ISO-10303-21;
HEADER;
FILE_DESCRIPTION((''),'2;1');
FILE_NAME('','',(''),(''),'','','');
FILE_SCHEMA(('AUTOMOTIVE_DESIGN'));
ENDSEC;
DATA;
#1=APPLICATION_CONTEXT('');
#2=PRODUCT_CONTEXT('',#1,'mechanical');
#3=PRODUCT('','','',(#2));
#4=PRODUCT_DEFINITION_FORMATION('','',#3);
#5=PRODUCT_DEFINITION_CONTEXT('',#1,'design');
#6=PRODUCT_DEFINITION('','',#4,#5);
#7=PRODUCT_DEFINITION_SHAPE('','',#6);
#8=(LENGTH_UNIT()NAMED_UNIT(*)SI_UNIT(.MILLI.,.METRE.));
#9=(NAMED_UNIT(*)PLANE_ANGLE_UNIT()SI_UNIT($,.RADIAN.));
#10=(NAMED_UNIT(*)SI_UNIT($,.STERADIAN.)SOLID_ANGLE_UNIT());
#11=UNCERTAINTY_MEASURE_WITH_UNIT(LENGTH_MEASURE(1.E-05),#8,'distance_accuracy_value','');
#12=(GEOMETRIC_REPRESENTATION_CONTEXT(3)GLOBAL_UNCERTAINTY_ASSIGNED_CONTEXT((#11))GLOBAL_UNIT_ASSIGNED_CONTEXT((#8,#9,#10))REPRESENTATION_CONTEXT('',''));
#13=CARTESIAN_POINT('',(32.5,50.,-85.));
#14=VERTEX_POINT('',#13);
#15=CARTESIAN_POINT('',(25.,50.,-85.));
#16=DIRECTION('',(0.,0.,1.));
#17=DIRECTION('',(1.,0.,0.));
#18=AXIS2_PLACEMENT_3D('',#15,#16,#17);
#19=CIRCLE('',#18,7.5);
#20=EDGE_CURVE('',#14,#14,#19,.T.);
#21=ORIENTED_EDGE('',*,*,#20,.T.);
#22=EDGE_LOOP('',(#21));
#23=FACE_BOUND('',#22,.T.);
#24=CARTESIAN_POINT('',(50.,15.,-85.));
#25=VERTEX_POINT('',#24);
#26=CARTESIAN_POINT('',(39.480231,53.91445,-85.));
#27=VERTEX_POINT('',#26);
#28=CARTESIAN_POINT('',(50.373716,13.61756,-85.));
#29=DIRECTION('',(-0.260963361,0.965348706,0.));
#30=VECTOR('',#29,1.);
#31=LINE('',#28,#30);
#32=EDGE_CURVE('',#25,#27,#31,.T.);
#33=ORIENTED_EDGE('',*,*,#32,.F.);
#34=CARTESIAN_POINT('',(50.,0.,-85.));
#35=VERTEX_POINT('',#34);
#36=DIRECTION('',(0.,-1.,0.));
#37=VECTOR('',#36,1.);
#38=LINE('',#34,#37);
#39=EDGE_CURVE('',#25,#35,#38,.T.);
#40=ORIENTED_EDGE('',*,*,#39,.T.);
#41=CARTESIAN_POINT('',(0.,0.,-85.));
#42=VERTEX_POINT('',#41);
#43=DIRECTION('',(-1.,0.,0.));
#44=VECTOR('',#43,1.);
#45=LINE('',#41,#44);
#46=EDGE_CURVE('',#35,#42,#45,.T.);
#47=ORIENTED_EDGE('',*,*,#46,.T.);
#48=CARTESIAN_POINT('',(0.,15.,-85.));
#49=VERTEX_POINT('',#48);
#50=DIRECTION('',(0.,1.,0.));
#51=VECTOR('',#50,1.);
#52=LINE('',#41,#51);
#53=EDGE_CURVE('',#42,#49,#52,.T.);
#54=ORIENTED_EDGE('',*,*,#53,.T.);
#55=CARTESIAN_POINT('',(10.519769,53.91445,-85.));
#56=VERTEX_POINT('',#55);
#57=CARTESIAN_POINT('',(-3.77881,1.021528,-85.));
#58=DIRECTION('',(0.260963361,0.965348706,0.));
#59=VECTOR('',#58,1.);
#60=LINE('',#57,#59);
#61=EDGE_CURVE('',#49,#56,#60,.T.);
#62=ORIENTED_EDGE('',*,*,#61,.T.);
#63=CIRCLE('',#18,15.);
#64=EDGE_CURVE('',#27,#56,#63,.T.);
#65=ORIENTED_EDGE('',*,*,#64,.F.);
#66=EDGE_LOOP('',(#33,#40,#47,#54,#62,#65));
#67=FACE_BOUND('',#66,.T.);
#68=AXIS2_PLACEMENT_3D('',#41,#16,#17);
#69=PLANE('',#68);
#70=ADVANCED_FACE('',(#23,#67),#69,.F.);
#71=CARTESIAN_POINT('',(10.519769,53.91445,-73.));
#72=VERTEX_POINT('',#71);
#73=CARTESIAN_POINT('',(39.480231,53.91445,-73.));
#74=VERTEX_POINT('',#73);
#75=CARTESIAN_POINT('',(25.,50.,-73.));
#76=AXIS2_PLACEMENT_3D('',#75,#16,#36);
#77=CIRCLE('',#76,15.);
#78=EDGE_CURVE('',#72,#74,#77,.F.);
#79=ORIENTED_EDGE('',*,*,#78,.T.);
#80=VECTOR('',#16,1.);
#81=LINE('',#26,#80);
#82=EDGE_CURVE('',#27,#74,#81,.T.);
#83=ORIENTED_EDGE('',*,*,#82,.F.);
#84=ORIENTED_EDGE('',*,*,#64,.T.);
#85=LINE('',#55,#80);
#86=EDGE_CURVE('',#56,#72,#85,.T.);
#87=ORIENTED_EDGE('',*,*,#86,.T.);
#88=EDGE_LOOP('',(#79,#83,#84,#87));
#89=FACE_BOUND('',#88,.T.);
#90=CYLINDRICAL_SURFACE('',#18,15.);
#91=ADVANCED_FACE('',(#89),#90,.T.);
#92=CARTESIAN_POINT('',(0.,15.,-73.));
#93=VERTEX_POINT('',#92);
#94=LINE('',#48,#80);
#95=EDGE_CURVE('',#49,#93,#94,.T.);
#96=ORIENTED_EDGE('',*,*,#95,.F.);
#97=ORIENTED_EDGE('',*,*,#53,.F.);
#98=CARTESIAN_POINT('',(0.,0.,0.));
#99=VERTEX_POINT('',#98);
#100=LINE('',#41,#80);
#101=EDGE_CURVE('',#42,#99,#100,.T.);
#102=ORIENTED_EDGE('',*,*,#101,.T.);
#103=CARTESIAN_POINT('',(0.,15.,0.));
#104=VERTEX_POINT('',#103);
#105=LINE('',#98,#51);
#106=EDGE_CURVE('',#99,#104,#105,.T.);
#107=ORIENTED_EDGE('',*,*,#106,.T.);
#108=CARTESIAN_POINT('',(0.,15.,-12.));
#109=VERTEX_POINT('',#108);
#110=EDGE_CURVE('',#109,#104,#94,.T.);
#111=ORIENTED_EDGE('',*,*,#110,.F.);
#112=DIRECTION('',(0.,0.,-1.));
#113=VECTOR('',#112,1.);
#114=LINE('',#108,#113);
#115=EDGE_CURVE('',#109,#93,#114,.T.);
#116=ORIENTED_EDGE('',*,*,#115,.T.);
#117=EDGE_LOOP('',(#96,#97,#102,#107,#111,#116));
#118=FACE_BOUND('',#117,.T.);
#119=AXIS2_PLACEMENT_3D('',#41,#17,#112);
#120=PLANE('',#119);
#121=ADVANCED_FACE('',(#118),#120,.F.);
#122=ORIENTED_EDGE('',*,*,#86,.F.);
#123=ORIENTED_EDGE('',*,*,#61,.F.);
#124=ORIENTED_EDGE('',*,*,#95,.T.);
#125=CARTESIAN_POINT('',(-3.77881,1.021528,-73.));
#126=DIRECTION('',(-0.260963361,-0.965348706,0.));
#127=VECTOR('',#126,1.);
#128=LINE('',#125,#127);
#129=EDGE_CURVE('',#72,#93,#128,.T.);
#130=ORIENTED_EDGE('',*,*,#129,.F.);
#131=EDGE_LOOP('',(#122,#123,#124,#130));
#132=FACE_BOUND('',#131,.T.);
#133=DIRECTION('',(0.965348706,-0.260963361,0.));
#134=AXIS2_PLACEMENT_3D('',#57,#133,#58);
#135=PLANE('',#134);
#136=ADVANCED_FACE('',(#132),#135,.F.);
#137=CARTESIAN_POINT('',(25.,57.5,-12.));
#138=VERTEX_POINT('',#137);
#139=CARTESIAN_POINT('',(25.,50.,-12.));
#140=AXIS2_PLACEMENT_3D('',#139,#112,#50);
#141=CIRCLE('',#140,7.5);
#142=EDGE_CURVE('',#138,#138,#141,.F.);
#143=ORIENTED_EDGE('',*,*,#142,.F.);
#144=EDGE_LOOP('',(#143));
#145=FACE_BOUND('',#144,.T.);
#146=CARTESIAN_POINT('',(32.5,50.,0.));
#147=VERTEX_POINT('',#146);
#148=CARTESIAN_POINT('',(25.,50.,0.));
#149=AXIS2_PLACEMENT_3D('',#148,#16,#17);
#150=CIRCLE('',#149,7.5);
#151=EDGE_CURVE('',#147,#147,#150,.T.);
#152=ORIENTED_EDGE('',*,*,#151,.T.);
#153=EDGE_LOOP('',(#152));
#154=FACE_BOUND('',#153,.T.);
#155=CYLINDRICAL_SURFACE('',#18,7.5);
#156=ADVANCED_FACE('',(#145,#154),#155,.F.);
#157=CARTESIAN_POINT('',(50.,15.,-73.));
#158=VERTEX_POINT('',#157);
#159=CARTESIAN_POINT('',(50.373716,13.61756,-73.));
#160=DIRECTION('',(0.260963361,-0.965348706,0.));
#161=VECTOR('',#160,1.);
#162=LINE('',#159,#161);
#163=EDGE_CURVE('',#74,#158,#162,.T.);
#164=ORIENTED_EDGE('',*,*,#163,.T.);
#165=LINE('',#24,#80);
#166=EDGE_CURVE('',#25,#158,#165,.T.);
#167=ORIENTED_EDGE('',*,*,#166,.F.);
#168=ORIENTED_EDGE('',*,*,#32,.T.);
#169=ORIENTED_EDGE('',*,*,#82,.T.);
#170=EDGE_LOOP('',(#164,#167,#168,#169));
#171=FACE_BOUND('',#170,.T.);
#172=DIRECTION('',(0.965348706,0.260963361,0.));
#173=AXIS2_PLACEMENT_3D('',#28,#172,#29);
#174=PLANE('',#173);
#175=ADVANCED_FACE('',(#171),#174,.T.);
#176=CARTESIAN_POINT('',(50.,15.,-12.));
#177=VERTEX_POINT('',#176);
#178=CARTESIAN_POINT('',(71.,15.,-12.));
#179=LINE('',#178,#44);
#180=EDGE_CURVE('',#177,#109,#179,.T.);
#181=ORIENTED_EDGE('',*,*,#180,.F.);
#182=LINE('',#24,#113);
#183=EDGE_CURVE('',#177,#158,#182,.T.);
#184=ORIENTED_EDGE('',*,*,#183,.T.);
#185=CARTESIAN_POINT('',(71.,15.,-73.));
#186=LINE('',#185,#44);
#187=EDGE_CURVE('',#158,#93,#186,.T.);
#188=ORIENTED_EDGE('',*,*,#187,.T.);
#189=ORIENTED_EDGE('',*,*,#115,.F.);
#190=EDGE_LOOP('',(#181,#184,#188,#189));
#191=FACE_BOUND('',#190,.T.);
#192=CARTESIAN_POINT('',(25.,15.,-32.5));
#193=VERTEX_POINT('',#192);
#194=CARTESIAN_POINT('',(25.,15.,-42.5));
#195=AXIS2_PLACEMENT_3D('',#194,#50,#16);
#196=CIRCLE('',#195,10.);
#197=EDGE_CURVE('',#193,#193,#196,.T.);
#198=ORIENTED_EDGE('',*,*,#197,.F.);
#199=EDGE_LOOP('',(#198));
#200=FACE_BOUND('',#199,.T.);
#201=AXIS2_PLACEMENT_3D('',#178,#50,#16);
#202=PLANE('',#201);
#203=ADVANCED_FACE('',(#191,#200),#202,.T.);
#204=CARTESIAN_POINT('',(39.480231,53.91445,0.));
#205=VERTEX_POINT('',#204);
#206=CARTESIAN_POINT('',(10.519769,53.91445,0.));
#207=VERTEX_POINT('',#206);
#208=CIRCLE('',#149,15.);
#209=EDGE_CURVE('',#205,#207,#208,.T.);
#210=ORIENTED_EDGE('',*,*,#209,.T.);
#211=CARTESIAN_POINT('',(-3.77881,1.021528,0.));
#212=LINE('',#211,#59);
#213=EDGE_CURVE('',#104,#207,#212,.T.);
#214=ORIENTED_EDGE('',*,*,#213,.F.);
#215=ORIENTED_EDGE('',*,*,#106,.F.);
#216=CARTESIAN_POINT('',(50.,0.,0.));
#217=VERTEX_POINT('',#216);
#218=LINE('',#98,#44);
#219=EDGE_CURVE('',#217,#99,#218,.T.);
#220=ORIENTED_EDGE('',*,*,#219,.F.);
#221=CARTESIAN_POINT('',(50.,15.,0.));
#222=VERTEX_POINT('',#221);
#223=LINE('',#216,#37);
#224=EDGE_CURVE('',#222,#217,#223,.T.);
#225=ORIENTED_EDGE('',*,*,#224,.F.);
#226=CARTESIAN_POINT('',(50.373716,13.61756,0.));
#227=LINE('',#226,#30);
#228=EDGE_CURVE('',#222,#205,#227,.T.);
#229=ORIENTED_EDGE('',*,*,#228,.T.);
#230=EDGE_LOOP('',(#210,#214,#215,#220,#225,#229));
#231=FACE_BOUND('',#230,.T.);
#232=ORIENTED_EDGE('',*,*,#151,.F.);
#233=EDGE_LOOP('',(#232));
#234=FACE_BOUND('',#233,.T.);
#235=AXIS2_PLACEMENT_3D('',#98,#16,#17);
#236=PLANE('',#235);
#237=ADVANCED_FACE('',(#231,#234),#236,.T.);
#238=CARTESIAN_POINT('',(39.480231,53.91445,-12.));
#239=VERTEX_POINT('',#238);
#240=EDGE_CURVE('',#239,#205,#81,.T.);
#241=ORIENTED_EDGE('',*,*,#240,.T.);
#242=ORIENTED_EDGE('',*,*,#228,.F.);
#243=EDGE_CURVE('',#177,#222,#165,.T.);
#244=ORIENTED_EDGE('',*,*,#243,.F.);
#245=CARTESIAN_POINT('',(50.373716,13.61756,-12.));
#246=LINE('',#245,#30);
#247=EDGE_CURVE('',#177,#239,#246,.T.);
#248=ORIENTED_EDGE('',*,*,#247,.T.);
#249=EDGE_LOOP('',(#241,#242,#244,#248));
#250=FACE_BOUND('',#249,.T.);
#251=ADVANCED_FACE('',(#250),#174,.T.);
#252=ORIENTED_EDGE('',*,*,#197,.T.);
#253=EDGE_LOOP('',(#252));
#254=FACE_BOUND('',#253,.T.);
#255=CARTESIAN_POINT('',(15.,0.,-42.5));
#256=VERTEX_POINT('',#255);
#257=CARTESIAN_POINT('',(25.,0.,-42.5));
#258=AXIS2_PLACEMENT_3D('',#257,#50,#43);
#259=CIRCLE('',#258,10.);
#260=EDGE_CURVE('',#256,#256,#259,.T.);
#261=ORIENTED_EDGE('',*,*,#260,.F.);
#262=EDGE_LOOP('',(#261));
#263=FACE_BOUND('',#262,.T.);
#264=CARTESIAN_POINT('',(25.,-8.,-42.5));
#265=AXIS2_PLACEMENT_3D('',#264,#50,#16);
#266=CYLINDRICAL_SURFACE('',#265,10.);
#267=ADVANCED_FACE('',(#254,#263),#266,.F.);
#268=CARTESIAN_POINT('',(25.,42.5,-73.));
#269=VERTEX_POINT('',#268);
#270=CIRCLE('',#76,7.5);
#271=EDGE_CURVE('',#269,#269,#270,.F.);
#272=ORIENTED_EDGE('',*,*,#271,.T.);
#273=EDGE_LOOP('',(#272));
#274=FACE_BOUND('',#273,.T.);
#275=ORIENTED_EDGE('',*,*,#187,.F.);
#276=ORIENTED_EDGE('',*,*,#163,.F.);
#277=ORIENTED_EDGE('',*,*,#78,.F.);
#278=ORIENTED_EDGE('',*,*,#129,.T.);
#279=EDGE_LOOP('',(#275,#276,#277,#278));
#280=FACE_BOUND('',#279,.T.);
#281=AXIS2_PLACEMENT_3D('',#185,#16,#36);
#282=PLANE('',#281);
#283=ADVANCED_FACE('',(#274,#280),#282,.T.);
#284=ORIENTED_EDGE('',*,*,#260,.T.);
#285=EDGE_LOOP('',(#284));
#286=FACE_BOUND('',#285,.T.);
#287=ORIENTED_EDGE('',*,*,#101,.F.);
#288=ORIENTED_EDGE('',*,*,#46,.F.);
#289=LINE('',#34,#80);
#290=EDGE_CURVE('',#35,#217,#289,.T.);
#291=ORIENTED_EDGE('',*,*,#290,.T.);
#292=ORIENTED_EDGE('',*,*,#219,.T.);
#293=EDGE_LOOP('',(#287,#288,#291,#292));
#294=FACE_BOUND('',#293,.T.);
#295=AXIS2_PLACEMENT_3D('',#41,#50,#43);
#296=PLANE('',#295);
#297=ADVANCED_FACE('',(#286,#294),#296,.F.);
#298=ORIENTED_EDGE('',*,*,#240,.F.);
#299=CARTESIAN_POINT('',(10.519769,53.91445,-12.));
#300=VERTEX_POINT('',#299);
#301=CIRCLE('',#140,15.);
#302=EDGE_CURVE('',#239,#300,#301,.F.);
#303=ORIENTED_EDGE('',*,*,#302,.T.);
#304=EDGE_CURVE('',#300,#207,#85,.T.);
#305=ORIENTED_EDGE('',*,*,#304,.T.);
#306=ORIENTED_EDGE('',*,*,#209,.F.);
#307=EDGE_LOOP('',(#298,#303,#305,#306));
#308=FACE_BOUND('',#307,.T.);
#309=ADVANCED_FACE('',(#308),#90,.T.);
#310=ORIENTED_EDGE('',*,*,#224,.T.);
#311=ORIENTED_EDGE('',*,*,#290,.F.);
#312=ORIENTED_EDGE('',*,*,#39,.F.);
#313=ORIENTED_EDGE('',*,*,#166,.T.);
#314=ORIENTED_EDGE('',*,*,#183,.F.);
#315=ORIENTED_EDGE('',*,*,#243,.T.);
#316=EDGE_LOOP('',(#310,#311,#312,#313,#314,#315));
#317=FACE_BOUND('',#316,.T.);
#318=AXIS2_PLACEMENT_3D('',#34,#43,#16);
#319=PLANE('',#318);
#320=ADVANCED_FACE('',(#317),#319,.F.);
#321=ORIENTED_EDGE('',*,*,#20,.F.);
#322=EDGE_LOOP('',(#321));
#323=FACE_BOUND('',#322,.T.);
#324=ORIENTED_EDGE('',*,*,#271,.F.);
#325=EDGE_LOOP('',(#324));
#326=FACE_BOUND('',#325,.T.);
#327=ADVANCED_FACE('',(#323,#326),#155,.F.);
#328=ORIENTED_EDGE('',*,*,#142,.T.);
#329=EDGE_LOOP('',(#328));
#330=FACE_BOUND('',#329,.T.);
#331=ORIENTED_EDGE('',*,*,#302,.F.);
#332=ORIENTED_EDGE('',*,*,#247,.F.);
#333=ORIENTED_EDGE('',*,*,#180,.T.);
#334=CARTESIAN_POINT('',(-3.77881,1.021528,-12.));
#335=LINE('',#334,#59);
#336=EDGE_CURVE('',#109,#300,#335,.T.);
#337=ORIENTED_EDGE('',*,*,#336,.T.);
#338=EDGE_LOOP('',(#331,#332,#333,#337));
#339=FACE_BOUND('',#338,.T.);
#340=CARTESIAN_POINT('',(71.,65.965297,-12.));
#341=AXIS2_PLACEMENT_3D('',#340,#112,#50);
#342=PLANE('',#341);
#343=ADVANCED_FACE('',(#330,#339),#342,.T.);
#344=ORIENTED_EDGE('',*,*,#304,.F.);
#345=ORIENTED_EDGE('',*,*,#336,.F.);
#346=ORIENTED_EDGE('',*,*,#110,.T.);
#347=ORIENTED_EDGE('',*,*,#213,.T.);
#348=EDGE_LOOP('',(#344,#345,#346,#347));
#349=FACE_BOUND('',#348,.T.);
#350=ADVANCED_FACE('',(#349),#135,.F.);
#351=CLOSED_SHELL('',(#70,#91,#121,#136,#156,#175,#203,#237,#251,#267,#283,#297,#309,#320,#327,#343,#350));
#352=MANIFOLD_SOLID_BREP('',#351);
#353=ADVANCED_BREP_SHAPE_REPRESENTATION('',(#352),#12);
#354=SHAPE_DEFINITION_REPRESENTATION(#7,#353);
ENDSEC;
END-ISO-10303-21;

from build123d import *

# Parameters (mm, degrees)
SKETCH1_R           = 15
SKETCH1_R_2         = 7.5
BOSS_EXTRUDE1_DEPTH = 85
SKETCH2_W           = 61
SKETCH2_H           = 50.965296902
CUT_EXTRUDE1_DEPTH  = 71
SKETCH3_R           = 10
CUT_EXTRUDE2_DEPTH  = 23


with BuildPart() as part:
    # Sketch1 → Boss-Extrude1 (new body)
    # profile 1 of 2: a face of its own
    with BuildSketch(Plane.XY):
        with BuildLine():
            Line((0, 15), (0, 0))
            Line((0, 0), (50, 0))
            Line((50, 0), (50, 15))
            Line((50, 15), (39.480230589, 53.914450421))
            ThreePointArc((39.480230589, 53.914450421), (39.869489884, 51.974403855), (40, 50))
            ThreePointArc((40, 50), (23.025596145, 35.130510116), (10.519769411, 53.914450421))
            Line((10.519769411, 53.914450421), (0, 15))
        make_face()
    # profile 2 of 2: a face of its own
    with BuildSketch(Plane.XY):
        with Locations((25, 50)):
            Circle(SKETCH1_R)
        with Locations((25, 50)):
            Circle(SKETCH1_R_2, mode=Mode.SUBTRACT)
    extrude(amount=-BOSS_EXTRUDE1_DEPTH)

    # Sketch2 → Cut-Extrude1 (cut)
    with BuildSketch(Plane(origin=(0, 0, 0), x_dir=(0, 0, -1), z_dir=(1, 0, 0))):
        with Locations((42.5, 40.482648451)):
            Rectangle(SKETCH2_W, SKETCH2_H)
    extrude(amount=CUT_EXTRUDE1_DEPTH, mode=Mode.SUBTRACT)

    # Sketch3 → Cut-Extrude2 (cut)
    with BuildSketch(Plane(origin=(0, 15, 0), x_dir=(1, 0, 0), z_dir=(0, 1, 0))):
        with Locations(Location((25, 42.5, 0), (0, 0, 270))):
            Circle(SKETCH3_R)
    extrude(amount=-CUT_EXTRUDE2_DEPTH, mode=Mode.SUBTRACT)


solid = part.part
